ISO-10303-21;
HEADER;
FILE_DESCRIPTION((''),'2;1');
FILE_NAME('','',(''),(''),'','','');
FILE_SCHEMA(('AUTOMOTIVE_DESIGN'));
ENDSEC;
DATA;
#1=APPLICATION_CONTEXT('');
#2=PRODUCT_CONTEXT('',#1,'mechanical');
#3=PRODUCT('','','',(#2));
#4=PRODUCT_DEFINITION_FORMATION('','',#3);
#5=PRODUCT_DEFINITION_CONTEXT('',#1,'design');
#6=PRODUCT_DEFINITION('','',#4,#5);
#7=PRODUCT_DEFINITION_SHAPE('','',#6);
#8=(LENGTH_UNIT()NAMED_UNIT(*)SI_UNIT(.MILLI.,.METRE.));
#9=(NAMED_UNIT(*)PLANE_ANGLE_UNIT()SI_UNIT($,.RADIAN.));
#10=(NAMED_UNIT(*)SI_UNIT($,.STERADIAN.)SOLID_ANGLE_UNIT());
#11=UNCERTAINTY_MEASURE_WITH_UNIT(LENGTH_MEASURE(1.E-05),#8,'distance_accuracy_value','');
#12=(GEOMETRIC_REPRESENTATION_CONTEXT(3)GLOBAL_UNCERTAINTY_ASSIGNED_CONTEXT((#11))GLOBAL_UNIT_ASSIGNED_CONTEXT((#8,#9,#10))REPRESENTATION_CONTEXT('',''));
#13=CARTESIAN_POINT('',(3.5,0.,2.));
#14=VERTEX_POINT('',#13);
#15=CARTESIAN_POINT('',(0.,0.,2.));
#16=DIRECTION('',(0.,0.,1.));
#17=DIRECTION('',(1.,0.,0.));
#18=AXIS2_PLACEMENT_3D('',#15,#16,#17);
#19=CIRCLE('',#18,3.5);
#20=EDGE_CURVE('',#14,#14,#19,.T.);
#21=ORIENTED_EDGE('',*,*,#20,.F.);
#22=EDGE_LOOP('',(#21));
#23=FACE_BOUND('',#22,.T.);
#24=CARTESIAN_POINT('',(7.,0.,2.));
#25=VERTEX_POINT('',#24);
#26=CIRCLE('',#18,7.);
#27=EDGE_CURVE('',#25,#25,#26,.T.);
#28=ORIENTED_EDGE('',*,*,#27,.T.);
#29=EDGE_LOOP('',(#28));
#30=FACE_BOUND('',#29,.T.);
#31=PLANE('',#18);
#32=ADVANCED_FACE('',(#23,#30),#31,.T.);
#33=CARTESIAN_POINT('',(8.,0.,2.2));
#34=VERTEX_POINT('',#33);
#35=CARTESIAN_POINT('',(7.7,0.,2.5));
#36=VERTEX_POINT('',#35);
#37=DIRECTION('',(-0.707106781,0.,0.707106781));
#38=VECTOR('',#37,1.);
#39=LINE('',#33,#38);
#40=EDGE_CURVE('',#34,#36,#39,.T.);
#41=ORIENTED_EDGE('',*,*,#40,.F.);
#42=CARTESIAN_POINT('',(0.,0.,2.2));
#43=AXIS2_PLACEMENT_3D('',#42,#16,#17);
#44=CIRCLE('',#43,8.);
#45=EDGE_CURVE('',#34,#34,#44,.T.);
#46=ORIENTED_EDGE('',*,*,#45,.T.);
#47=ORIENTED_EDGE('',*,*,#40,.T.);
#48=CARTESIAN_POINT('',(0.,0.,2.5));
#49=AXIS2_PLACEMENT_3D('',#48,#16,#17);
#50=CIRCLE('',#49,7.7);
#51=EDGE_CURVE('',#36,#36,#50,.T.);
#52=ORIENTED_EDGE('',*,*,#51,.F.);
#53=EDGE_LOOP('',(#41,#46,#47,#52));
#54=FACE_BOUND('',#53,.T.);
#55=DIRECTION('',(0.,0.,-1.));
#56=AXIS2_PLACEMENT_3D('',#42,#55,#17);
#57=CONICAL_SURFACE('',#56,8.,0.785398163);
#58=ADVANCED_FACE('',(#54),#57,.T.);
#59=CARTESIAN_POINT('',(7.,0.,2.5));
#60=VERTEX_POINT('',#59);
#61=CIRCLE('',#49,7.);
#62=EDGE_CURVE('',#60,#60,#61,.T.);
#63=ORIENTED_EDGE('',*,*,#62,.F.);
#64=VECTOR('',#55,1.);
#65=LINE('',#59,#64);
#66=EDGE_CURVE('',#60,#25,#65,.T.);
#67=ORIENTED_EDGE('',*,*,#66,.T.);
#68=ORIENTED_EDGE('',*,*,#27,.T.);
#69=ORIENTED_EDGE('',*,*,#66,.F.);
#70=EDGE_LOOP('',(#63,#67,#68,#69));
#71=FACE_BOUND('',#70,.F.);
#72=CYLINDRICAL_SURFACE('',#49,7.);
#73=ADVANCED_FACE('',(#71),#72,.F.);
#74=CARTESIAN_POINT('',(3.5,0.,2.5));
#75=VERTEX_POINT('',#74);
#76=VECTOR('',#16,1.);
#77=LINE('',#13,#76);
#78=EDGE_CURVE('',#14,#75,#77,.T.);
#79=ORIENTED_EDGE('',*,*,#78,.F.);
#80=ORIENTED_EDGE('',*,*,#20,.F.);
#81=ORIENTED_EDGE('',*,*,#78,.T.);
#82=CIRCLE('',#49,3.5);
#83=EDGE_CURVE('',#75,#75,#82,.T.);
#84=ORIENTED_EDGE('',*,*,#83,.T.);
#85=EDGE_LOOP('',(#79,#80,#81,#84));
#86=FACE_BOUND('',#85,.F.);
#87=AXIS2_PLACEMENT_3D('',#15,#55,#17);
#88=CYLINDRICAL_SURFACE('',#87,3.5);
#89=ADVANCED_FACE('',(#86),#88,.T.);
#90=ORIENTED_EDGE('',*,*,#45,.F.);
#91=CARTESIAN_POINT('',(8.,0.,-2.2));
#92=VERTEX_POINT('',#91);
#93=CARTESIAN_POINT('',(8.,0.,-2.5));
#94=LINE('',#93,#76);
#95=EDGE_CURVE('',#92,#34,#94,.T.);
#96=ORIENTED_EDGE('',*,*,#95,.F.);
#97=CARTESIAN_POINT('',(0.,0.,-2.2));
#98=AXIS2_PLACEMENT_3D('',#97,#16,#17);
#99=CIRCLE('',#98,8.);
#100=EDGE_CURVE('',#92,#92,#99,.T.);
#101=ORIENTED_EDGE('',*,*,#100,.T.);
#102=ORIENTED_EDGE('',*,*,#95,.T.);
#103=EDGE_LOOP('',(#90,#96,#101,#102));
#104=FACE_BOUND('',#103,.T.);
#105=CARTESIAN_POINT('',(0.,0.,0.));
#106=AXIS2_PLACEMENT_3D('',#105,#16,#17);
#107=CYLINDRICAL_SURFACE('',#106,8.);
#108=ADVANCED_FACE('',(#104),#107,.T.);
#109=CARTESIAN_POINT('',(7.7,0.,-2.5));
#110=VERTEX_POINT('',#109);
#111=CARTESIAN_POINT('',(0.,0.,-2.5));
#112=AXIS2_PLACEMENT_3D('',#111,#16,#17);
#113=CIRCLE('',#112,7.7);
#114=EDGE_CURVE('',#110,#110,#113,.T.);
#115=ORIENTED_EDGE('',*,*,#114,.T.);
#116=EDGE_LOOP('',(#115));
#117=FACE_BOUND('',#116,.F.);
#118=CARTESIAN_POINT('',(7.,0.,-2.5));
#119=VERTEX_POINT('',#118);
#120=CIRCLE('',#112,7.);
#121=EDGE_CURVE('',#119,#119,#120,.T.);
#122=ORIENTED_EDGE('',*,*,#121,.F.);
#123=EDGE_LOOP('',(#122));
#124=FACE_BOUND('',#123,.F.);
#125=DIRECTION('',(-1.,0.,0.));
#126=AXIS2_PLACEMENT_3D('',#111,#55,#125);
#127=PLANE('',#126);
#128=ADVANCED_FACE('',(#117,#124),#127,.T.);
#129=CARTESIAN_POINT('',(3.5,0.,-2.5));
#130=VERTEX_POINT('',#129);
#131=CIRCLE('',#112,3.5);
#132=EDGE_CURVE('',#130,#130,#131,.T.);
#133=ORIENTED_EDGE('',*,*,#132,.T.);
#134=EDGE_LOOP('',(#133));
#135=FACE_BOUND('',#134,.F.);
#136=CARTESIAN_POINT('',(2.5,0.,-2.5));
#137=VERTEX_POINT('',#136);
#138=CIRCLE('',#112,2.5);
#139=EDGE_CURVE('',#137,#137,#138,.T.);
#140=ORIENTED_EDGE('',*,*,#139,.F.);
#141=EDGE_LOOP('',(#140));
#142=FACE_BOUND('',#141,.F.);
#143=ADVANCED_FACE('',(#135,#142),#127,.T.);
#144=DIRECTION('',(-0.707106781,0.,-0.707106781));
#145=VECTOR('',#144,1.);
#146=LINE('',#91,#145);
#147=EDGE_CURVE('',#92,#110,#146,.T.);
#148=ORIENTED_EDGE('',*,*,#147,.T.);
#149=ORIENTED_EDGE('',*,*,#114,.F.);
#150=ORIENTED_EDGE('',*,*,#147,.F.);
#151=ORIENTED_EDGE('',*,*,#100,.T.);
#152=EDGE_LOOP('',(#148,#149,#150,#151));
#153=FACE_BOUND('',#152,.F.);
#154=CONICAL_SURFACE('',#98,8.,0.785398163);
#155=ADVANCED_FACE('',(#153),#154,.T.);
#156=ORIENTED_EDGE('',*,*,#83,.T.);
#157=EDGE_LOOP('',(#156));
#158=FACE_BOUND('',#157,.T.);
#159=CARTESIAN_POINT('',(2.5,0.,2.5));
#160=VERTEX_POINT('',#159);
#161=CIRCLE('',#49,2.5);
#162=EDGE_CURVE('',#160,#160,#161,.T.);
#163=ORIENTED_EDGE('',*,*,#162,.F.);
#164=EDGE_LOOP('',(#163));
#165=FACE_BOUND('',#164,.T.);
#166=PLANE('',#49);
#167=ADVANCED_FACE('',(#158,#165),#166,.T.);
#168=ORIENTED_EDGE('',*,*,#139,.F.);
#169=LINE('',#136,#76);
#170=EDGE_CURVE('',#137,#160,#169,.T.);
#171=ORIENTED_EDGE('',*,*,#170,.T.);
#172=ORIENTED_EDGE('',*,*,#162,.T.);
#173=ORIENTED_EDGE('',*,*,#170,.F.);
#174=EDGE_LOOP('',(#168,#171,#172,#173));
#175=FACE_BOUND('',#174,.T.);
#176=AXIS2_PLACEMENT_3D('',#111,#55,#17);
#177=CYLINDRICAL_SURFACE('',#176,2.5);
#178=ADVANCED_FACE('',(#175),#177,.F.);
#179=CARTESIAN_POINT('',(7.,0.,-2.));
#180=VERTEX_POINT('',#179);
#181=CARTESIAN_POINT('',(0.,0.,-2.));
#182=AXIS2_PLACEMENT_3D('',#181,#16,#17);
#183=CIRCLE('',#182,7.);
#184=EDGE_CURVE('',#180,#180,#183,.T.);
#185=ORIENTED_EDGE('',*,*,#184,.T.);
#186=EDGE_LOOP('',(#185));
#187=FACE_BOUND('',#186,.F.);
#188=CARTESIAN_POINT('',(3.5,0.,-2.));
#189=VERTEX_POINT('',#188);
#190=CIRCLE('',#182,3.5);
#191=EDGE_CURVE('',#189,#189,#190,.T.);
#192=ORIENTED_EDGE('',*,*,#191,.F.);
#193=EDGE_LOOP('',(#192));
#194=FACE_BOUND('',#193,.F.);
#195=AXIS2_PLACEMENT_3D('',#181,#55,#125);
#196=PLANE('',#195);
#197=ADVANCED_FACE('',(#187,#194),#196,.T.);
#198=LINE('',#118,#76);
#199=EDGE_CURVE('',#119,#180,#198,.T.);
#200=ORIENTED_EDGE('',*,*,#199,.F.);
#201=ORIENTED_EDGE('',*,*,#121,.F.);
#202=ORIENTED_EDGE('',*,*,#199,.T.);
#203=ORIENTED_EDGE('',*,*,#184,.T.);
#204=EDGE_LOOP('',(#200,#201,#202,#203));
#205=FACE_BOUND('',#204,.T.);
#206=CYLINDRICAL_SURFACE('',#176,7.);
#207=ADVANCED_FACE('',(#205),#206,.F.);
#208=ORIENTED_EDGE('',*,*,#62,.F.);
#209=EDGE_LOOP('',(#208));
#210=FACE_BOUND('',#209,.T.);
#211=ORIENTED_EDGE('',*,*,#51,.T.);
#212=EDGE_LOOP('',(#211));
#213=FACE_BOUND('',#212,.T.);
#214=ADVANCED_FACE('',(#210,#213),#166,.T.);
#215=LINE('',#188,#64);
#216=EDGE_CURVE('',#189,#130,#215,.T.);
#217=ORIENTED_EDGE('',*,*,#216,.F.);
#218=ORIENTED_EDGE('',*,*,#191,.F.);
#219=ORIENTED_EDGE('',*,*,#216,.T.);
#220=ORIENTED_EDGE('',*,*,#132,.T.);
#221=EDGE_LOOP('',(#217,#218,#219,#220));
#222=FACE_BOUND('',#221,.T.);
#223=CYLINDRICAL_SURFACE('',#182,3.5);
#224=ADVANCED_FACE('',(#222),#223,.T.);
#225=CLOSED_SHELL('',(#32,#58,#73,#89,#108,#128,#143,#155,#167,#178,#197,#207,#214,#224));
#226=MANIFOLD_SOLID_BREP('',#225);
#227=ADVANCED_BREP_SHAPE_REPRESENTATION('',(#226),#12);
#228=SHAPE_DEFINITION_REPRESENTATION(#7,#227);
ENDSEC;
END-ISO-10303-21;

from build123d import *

# Parameters (mm, degrees)
F0_R     = 8
F1_DEPTH = 2.5
F2_R     = 7
F3_DEPTH = 0.5
F4_R     = 3.5
F5_DEPTH = 0.5
F6_R     = 2.5
F7_DEPTH = 25
F9_SIZE  = 0.3


with BuildPart() as f1:
    # F0 (on Top) → F1 (new body)
    with BuildSketch(Plane.XY):
        Circle(F0_R)
    extrude(amount=F1_DEPTH)

    # F2 (on face) → F3 (cut)
    with BuildSketch(Plane.XY.offset(2.5)):
        Circle(F2_R)
    extrude(amount=-F3_DEPTH, mode=Mode.SUBTRACT)

    # F4 (on face) → F5 (join)
    with BuildSketch(Plane.XY.offset(2)):
        Circle(F4_R)
    extrude(amount=F5_DEPTH)

    # F6 (on face) → F7 (cut)
    with BuildSketch(Plane.XY.offset(2.5)):
        Circle(F6_R)
    extrude(amount=-F7_DEPTH, mode=Mode.SUBTRACT)

    # F8: F1 across face


with BuildPart() as f1_1:
    add(f1.part)
    add(f1.part.mirror(Plane(origin=(0, 0, 0), x_dir=(1, 0, 0), z_dir=(0, 0, -1))))

    # F9
    f9_edges = [f1_1.edges().sort_by_distance(p)[0] for p in [
        (-8, 0, 2.5),
        (-8, 0, -2.5),
    ]]
    chamfer(f9_edges, length=F9_SIZE)


solid = f1_1.part
